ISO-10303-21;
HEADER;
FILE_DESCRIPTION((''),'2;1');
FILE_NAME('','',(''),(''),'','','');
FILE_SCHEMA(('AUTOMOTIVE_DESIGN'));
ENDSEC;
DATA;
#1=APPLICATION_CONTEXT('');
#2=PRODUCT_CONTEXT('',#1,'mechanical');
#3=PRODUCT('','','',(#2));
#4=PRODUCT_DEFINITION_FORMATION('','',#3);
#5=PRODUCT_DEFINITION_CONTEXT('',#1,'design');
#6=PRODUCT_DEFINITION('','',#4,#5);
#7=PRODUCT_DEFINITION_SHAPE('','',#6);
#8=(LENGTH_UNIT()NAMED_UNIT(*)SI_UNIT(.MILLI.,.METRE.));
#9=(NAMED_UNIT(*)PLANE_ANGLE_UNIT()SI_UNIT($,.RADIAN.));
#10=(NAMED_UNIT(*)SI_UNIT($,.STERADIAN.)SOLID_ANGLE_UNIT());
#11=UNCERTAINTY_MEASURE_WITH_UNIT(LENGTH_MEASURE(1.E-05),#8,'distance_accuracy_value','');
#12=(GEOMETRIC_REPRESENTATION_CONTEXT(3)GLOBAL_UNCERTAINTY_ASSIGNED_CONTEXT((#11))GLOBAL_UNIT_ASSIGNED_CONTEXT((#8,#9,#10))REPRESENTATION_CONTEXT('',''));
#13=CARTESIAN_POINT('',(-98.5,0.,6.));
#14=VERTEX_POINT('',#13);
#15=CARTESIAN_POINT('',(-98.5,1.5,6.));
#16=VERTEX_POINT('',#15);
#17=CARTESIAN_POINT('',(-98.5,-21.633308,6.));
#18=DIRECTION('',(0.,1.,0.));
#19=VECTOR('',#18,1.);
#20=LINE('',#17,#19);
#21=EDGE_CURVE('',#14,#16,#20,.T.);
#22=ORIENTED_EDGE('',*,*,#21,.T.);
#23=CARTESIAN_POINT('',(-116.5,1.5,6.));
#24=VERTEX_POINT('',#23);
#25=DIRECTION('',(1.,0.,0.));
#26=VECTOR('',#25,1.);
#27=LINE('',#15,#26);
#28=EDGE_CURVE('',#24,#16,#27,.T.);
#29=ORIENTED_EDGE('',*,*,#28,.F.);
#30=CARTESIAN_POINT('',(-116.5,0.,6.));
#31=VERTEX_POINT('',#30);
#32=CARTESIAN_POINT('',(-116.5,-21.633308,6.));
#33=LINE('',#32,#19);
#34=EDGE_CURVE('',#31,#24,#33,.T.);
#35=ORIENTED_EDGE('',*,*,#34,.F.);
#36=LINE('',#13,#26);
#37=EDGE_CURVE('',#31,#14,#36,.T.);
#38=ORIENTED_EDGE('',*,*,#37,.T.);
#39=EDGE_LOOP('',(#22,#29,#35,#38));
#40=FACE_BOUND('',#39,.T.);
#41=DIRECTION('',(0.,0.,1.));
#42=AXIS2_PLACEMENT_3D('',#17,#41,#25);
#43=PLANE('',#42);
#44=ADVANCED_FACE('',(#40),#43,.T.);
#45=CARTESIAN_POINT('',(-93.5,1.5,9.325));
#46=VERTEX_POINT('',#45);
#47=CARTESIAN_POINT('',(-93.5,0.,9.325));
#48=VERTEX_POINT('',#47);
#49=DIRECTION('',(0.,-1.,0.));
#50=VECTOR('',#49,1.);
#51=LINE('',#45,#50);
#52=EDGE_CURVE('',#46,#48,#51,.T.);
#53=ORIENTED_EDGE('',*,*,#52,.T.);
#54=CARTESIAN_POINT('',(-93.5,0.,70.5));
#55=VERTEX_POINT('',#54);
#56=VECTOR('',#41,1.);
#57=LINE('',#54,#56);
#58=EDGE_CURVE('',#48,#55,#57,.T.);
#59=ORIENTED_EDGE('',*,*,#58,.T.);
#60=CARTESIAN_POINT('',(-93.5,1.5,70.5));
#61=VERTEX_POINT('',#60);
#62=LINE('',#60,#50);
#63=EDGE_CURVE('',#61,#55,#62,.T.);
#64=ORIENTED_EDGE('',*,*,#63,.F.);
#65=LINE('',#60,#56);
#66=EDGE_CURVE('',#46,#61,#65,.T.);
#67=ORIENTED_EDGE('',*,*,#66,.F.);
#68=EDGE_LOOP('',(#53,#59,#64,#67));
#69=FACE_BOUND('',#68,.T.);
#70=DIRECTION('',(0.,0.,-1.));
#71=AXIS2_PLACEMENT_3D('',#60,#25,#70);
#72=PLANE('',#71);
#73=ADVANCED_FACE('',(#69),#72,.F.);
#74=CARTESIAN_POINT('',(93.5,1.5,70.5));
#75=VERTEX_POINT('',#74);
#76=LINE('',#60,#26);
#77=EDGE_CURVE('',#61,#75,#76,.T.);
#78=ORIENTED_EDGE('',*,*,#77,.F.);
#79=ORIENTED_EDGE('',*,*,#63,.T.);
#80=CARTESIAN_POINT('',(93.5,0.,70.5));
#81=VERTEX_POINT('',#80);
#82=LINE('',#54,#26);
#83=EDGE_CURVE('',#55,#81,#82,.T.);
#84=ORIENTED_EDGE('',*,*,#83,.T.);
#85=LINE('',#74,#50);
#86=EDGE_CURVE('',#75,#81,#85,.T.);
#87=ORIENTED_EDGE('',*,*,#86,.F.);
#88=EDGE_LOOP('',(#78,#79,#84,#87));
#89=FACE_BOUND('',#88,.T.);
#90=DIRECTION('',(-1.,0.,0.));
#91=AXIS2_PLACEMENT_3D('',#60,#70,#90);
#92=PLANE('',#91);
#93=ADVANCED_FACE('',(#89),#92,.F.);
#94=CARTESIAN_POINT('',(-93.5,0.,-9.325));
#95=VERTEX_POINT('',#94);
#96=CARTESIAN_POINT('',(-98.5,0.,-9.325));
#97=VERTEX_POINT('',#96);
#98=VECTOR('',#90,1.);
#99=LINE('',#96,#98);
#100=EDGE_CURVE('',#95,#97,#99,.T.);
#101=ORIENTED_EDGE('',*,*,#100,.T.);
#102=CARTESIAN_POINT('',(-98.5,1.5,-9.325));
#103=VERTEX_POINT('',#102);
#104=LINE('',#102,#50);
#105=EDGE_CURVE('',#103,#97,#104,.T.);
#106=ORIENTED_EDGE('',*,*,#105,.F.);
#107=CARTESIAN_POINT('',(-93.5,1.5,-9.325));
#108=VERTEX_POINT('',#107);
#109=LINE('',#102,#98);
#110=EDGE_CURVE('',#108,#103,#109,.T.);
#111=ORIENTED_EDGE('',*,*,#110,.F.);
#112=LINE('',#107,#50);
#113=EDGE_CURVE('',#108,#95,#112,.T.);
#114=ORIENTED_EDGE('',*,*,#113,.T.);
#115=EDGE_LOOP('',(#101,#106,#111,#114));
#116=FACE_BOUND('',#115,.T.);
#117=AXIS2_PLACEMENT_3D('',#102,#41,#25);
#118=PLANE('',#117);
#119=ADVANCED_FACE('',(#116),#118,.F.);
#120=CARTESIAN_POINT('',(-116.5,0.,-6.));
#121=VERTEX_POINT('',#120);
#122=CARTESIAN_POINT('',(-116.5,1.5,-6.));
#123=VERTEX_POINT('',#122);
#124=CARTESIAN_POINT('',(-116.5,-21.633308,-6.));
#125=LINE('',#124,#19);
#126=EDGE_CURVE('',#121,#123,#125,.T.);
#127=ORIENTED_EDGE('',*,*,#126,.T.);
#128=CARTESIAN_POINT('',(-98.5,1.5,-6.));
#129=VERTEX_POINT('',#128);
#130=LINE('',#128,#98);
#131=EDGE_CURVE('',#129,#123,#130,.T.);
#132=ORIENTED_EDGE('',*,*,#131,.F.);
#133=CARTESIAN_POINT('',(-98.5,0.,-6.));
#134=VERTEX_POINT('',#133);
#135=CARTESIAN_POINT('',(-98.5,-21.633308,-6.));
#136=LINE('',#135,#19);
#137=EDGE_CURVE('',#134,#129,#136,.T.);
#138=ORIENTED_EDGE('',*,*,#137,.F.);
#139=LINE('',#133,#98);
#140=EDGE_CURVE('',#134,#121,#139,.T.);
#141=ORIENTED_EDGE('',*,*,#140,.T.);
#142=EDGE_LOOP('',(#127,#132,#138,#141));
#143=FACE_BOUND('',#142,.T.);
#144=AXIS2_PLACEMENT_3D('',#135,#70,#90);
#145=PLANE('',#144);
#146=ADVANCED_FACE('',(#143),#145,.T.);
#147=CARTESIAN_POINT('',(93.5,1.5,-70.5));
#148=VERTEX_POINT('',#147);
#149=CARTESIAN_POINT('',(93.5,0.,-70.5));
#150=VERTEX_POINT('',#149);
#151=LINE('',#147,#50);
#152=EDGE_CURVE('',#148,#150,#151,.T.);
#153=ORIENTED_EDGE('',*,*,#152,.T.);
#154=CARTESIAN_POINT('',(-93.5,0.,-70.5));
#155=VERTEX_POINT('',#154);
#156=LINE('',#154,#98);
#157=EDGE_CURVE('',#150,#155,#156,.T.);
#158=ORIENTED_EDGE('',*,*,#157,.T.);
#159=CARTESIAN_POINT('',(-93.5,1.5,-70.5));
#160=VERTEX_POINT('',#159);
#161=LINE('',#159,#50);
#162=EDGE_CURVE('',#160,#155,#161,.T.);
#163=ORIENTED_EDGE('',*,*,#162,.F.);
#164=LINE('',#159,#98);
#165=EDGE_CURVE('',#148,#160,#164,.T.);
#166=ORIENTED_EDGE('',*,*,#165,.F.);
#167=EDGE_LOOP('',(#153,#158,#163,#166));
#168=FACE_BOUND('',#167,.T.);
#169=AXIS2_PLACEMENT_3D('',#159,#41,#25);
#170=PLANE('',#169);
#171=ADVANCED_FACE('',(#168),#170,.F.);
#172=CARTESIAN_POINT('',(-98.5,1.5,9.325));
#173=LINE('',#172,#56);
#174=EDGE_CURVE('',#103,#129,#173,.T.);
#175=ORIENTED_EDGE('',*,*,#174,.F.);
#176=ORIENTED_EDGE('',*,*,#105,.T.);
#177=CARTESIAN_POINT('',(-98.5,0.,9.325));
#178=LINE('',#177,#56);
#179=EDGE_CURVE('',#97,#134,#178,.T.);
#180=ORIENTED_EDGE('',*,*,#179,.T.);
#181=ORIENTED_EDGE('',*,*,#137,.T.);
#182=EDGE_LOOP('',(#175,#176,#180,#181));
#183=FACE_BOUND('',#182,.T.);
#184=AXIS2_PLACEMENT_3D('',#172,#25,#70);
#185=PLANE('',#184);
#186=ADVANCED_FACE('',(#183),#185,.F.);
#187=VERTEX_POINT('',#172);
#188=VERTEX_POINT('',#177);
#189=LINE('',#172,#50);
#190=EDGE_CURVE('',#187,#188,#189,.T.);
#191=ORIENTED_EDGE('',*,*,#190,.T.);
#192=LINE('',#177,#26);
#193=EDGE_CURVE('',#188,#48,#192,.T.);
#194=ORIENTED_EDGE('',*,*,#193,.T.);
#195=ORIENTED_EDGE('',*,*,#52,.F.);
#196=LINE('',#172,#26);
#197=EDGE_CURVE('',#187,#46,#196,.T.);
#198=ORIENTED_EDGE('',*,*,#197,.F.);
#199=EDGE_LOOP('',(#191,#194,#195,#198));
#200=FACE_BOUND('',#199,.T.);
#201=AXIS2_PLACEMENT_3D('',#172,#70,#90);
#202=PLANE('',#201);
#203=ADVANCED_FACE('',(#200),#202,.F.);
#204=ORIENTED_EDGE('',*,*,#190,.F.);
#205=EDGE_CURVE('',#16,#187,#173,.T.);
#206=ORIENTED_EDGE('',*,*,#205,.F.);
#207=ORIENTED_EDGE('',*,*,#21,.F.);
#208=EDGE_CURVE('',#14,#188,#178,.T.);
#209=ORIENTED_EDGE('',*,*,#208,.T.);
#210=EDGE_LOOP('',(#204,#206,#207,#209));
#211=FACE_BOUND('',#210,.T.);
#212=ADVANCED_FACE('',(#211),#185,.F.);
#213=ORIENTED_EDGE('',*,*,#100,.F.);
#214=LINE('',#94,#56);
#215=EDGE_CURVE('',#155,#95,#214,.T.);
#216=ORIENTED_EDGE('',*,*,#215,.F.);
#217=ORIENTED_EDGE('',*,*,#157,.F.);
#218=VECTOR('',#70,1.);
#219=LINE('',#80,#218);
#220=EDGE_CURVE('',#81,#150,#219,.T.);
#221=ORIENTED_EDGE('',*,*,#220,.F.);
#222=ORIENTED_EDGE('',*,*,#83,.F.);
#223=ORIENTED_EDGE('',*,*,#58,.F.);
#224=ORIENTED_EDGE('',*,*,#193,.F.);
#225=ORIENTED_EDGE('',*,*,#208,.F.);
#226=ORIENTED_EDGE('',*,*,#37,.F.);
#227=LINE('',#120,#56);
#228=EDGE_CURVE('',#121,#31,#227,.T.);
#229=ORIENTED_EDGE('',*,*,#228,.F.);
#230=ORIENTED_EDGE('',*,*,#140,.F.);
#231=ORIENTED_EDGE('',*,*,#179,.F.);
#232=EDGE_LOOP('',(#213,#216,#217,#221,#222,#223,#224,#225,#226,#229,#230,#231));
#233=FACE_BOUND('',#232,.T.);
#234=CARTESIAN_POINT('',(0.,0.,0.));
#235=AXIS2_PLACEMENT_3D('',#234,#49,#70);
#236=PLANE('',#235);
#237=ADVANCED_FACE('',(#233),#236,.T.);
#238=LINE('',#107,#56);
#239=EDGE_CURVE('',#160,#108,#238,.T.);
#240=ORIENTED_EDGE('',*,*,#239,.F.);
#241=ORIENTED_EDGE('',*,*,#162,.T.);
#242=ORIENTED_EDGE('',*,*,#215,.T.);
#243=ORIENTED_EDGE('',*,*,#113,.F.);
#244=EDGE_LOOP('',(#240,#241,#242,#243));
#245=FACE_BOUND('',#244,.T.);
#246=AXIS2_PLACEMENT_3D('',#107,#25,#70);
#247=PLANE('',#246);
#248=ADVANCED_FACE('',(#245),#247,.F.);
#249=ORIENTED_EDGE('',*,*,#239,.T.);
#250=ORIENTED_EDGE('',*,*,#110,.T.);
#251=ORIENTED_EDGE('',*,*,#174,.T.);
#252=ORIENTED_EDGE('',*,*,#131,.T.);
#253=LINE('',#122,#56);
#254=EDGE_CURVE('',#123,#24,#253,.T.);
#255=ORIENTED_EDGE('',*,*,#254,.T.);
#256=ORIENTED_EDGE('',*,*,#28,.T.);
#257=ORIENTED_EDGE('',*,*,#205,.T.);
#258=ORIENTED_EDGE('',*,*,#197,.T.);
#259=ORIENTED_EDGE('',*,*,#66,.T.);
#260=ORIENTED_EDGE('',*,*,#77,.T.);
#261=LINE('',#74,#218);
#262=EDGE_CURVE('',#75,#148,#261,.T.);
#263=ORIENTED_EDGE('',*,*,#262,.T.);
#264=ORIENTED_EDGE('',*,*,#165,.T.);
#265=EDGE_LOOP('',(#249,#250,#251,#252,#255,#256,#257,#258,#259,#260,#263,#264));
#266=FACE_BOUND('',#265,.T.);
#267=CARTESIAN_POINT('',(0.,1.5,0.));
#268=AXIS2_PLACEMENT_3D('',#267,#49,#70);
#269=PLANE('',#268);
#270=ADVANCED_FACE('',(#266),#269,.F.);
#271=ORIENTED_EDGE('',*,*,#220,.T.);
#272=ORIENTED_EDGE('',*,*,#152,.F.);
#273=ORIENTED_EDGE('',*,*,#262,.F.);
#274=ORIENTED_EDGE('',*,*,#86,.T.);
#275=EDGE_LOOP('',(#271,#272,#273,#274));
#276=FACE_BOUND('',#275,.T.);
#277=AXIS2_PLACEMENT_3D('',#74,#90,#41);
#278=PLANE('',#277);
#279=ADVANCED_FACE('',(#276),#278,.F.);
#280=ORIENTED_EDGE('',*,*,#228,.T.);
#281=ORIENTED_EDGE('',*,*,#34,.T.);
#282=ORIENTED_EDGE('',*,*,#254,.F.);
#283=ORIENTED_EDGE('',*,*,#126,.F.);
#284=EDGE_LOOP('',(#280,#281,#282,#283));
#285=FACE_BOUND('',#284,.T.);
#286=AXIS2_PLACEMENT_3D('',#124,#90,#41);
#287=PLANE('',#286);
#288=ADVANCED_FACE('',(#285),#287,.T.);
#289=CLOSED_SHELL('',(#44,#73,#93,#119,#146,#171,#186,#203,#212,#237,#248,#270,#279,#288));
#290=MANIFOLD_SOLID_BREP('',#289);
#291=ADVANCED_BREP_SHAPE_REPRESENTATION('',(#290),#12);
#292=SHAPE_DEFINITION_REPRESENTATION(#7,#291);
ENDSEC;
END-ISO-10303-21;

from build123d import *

# Parameters (mm, degrees)
BOSS_EXTRUDE1_DEPTH = 1.5
SKETCH2_W           = 18
SKETCH2_H           = 12
BOSS_EXTRUDE2_DEPTH = 1.5


with BuildPart() as part:
    # Sketch1 → Boss-Extrude1 (new body)
    with BuildSketch(Plane(origin=(0, 0, 0), x_dir=(1, 0, 0), z_dir=(0, 1, 0))):
        Polygon((-93.5, 9.325), (-93.5, 70.5), (93.5, 70.5), (93.5, -70.5), (-93.5, -70.5), (-93.5, -9.325), (-98.5, -9.325), (-98.5, 9.325), align=None)
    extrude(amount=BOSS_EXTRUDE1_DEPTH)

    # Sketch2 → Boss-Extrude2 (add)
    with BuildSketch(Plane(origin=(0, 1.5, 0), x_dir=(1, 0, 0), z_dir=(0, 1, 0))):
        with Locations((-107.5, 0)):
            Rectangle(SKETCH2_W, SKETCH2_H)
    extrude(amount=-BOSS_EXTRUDE2_DEPTH)


solid = part.part
